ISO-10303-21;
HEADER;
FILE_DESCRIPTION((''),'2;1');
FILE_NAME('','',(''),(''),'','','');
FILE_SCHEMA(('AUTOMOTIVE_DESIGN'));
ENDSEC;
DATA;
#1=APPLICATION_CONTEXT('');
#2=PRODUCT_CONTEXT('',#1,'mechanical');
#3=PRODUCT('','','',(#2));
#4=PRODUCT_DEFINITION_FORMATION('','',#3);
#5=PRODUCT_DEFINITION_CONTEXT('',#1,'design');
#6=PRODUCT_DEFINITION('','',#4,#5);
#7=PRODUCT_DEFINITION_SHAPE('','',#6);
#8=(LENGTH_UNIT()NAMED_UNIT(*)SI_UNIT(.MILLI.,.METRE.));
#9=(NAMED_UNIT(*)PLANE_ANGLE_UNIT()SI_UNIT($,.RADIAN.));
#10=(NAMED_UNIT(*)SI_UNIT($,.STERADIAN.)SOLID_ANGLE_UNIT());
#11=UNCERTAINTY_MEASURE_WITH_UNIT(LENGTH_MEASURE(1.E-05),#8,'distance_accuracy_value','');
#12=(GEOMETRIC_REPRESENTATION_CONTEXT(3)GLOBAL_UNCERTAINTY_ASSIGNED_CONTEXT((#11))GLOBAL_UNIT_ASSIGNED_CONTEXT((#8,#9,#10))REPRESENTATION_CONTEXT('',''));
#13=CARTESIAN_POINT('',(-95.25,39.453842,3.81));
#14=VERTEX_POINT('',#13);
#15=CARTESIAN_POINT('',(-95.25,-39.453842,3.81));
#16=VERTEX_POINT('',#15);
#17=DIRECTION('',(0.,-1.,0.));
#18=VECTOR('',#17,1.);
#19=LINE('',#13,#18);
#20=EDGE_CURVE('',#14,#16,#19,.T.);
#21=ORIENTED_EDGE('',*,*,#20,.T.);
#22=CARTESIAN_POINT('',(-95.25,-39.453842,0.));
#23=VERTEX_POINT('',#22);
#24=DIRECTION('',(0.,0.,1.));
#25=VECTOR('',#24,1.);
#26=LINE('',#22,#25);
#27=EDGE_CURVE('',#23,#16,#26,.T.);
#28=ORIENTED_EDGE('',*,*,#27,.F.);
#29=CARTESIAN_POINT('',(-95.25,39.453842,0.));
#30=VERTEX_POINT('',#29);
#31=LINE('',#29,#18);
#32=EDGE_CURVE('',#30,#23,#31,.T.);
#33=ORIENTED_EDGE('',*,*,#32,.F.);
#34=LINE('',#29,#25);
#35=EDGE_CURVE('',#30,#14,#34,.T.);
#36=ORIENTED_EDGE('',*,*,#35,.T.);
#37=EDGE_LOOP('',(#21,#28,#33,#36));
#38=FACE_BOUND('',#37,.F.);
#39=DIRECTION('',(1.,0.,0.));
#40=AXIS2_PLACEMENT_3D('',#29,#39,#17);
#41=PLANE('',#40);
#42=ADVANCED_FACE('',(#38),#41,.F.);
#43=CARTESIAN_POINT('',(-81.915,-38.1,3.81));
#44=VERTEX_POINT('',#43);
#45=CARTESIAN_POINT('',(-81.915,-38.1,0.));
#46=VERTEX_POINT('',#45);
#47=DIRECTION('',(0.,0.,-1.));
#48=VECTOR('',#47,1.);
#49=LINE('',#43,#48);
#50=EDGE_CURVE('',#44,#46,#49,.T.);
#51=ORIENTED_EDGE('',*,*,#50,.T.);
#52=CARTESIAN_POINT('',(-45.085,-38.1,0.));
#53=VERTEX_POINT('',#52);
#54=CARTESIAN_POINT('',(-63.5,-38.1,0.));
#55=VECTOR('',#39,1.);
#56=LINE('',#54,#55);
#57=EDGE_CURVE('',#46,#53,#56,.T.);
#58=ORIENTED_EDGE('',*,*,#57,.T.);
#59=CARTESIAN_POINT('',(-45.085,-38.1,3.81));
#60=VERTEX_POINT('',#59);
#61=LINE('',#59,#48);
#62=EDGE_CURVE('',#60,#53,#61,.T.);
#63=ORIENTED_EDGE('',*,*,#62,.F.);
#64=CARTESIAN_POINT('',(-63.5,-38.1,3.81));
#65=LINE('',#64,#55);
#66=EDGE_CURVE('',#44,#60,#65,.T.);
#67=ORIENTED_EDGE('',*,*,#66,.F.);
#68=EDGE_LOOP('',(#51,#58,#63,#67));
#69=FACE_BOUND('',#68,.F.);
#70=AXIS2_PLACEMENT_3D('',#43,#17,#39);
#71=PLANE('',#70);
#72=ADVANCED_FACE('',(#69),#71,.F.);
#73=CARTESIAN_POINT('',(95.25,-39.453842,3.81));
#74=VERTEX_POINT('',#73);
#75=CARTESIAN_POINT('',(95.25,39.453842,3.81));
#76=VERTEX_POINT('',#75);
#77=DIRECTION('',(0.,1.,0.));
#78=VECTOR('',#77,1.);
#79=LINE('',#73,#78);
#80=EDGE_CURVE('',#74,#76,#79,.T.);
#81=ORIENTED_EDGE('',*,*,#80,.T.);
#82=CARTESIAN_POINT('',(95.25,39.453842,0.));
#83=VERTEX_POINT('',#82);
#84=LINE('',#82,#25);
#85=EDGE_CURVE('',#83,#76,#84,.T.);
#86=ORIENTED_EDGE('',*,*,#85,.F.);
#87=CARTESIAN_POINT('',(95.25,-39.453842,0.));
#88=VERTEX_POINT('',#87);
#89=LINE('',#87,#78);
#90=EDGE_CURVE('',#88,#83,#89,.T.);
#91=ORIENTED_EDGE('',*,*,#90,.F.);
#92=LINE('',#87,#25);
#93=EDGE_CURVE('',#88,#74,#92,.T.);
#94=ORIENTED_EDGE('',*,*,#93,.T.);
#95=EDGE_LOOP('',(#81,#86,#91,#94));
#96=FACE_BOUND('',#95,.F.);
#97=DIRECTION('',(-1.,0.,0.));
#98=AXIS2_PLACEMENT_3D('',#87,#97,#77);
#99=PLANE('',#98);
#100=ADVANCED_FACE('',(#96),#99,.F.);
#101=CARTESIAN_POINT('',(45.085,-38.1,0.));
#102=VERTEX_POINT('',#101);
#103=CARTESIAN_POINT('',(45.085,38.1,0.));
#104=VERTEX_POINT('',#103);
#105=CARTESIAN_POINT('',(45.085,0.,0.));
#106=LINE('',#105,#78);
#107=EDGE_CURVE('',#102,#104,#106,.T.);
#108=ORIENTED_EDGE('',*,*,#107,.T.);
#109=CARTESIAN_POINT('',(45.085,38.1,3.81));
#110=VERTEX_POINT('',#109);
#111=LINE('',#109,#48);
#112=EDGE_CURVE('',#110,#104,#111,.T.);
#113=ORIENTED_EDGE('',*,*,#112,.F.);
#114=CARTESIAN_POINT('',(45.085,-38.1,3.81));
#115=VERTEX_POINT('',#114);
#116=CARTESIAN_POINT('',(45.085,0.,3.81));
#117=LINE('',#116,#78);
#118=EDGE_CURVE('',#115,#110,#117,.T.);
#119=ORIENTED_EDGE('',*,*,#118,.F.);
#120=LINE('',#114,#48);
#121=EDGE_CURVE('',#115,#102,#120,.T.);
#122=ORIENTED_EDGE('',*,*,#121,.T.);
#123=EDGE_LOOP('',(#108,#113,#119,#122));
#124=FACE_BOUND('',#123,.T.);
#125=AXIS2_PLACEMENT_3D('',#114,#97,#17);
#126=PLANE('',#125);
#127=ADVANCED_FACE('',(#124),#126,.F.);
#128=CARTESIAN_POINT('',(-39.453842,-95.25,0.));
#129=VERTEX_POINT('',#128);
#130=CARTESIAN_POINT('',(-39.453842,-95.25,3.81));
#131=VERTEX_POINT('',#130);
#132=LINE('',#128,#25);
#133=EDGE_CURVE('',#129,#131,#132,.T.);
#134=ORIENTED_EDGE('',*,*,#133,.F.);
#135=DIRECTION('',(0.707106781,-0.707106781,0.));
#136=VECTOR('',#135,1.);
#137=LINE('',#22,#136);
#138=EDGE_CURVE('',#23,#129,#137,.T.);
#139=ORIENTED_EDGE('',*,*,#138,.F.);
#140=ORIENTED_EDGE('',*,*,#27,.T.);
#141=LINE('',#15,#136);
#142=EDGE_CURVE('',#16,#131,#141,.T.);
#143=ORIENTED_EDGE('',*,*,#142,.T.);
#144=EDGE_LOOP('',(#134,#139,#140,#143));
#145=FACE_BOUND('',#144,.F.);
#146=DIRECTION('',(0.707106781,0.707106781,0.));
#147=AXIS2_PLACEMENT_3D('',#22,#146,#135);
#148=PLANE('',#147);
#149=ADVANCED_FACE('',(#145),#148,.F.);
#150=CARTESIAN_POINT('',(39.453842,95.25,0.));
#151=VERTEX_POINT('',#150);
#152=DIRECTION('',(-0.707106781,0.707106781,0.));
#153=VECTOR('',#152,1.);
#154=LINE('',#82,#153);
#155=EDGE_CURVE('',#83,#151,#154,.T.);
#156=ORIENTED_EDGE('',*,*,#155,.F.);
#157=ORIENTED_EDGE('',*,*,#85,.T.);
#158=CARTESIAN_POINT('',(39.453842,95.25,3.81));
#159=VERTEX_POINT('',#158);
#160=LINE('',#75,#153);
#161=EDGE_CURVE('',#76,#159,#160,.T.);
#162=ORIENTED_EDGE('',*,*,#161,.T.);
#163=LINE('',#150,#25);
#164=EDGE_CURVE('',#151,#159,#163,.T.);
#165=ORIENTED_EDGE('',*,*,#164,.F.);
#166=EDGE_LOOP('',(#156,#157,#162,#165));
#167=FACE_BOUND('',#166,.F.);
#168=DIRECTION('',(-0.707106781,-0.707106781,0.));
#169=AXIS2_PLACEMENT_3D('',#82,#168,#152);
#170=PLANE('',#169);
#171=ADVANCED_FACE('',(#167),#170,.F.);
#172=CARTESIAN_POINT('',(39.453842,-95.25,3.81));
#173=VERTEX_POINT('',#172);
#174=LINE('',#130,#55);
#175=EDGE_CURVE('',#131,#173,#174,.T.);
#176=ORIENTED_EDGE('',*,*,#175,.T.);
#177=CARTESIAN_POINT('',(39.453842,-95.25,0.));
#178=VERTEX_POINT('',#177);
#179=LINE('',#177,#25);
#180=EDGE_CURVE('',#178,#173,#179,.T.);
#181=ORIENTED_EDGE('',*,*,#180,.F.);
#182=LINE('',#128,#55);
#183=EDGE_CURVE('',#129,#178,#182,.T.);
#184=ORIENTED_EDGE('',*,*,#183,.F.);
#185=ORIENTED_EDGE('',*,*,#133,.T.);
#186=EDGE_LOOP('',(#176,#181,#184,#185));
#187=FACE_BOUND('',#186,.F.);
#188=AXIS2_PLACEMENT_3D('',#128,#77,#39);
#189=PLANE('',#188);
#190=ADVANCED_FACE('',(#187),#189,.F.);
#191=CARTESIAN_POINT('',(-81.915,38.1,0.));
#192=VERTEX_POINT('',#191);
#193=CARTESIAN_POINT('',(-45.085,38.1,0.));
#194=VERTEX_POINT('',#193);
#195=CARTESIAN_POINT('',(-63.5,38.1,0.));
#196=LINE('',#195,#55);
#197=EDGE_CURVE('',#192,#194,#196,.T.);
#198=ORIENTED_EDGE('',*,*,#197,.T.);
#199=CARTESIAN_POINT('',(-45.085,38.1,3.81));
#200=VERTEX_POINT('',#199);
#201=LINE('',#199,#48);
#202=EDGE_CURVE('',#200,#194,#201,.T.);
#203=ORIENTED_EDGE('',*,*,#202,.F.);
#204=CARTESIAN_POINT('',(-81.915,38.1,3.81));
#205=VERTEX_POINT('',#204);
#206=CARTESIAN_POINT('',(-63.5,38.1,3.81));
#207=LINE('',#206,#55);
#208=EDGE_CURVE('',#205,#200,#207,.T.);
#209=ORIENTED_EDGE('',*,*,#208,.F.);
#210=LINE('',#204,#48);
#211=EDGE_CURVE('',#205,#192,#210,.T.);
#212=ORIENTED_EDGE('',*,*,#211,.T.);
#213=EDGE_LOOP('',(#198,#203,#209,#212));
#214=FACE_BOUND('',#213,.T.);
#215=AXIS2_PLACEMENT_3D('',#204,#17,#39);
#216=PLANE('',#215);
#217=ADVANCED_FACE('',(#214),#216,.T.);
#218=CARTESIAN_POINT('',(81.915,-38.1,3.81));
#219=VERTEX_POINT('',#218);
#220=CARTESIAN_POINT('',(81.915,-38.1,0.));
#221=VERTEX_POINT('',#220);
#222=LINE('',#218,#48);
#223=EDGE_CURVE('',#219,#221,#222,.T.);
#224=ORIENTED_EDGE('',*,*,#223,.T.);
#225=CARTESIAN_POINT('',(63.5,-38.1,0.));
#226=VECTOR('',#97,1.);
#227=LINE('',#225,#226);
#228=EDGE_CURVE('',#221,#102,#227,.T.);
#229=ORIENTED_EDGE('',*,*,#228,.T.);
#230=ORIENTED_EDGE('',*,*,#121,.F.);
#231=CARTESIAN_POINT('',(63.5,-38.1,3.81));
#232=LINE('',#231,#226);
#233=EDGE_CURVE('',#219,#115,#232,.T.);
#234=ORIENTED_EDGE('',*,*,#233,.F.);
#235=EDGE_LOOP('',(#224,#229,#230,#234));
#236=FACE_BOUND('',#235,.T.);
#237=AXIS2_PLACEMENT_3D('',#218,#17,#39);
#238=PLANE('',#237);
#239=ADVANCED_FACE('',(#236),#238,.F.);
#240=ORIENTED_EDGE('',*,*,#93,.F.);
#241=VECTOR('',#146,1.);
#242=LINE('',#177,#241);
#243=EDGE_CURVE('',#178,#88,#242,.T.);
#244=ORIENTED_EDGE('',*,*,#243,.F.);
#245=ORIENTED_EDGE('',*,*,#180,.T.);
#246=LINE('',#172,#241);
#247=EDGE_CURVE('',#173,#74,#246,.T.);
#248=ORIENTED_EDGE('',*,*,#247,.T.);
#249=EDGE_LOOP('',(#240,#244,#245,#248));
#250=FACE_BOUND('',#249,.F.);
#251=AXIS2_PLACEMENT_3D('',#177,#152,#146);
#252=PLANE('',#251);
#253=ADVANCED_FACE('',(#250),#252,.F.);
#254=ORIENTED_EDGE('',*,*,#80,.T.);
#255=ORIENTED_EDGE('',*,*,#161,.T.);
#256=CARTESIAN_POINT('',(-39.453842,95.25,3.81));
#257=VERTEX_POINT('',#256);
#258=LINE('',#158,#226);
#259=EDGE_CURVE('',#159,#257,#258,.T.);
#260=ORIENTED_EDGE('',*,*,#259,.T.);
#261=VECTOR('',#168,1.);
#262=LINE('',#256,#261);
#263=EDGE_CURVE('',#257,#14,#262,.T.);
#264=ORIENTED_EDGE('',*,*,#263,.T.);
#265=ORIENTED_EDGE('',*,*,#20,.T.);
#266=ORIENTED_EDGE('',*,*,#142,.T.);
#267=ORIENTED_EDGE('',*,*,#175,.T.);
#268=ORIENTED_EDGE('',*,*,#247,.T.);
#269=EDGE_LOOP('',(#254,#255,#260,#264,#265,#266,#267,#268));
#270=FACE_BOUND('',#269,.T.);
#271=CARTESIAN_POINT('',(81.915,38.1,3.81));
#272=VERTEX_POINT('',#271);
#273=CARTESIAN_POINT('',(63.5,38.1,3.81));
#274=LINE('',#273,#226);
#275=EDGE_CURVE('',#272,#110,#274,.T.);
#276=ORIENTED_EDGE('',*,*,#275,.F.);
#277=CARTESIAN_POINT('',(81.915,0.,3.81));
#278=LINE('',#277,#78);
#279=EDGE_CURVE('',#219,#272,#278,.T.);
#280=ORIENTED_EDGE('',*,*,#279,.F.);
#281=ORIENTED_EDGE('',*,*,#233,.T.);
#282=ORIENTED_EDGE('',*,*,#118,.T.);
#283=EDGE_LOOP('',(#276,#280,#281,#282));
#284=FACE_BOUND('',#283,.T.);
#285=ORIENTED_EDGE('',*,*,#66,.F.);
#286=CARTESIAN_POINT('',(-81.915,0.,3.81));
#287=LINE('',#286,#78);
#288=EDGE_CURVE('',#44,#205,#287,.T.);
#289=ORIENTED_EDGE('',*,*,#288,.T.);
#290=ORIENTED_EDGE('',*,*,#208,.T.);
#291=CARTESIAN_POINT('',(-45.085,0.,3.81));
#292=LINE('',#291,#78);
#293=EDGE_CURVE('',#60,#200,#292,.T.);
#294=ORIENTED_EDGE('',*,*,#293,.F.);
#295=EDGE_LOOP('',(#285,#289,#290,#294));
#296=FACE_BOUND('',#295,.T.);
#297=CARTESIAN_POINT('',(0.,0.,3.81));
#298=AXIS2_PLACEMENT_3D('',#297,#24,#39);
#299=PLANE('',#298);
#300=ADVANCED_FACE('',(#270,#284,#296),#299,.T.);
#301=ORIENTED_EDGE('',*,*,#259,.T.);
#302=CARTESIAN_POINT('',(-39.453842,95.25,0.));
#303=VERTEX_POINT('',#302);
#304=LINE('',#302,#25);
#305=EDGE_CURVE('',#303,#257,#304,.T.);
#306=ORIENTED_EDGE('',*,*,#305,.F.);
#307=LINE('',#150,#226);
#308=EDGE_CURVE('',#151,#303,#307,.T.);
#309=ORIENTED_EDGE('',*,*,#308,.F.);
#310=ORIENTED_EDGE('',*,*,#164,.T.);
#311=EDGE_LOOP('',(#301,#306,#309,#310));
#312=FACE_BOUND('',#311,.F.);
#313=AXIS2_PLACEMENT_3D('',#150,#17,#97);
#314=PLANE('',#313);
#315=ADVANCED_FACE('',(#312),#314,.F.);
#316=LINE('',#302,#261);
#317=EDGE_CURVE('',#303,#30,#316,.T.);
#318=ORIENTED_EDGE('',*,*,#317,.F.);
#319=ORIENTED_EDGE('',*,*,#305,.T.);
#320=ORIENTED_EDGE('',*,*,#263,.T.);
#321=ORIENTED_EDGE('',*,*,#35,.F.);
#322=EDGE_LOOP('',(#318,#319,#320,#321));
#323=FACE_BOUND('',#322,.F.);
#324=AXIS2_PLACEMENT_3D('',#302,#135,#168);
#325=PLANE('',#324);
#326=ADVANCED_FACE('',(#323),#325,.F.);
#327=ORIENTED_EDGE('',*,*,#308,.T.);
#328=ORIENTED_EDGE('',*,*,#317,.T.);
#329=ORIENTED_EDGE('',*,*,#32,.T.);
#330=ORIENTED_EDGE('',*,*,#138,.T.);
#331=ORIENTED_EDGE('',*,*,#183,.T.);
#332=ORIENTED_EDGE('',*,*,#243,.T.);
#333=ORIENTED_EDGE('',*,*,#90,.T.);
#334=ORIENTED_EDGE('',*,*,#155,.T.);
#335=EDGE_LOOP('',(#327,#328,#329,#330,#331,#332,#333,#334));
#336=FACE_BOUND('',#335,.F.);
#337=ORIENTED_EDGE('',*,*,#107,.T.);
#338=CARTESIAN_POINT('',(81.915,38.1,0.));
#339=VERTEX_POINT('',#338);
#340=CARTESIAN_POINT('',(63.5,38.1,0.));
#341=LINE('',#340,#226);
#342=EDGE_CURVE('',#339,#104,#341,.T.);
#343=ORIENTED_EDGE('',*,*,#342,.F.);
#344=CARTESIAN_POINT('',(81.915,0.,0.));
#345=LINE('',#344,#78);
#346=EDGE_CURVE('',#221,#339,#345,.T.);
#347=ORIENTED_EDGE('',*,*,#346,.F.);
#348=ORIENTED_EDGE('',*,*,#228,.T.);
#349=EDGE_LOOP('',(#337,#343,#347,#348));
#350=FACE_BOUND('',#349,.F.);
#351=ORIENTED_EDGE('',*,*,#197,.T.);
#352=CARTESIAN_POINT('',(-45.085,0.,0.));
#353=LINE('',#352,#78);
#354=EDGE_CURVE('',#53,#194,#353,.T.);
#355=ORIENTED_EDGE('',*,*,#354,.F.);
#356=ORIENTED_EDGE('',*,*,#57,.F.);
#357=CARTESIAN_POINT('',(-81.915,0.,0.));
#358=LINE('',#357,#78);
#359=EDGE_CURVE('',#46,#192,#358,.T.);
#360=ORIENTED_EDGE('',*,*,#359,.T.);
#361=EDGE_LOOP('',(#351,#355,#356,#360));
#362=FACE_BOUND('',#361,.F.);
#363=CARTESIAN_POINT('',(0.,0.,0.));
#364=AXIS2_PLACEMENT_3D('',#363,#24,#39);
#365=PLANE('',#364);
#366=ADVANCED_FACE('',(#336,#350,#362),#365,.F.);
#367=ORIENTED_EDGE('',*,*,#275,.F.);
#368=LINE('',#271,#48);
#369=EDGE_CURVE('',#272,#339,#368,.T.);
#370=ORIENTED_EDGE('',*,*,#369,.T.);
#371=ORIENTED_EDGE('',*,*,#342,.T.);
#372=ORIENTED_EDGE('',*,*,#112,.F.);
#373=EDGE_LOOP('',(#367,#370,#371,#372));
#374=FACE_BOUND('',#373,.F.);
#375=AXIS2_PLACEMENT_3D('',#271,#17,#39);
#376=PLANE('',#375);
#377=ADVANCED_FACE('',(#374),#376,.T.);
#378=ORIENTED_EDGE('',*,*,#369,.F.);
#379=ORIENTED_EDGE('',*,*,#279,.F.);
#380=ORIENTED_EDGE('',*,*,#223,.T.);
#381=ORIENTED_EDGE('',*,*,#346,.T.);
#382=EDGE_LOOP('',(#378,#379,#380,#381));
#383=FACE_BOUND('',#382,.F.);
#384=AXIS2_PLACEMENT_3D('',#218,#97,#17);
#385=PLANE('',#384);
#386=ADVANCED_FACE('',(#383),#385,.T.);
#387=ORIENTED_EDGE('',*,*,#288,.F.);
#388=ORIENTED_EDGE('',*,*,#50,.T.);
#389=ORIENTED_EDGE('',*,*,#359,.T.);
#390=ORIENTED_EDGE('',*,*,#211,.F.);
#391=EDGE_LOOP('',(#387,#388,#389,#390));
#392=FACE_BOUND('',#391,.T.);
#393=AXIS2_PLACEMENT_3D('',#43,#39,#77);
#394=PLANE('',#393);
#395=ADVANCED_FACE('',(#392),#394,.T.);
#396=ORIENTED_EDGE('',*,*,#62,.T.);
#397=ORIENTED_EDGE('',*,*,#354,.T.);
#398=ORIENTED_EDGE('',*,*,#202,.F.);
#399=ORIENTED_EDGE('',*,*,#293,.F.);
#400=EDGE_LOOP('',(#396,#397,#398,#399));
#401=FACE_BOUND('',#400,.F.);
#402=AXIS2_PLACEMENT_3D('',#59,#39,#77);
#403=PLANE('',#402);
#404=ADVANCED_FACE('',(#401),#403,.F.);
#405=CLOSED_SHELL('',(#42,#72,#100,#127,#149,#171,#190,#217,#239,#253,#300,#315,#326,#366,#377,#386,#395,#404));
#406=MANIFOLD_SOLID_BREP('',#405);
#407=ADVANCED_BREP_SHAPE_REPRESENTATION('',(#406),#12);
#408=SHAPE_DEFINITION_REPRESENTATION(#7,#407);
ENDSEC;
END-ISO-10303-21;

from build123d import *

# Parameters (mm, degrees)
F1_DEPTH = 3.81
F2_W     = 36.83
F2_H     = 76.2
F3_DEPTH = 3.81


with BuildPart() as f1:
    # F0 (on Top) → F1 (new body)
    with BuildSketch(Plane.XY):
        Polygon((39.453842, -95.25), (95.25, -39.453842), (95.25, 39.453842), (39.453842, 95.25), (-39.453842, 95.25), (-95.25, 39.453842), (-95.25, -39.453842), (-39.453842, -95.25), align=None)
    extrude(amount=F1_DEPTH)

    # F2 (on face) → F3 (cut)
    with BuildSketch(Plane.XY.offset(3.81)):
        with Locations((-63.5, 0)):
            Rectangle(F2_W, F2_H)
    extrude(amount=-F3_DEPTH, mode=Mode.SUBTRACT)

    # F4: F1 across plane


with BuildPart() as f1_1:
    add(f1.part)
    add(f1.part.mirror(Plane.YZ), mode=Mode.INTERSECT)


solid = f1_1.part
